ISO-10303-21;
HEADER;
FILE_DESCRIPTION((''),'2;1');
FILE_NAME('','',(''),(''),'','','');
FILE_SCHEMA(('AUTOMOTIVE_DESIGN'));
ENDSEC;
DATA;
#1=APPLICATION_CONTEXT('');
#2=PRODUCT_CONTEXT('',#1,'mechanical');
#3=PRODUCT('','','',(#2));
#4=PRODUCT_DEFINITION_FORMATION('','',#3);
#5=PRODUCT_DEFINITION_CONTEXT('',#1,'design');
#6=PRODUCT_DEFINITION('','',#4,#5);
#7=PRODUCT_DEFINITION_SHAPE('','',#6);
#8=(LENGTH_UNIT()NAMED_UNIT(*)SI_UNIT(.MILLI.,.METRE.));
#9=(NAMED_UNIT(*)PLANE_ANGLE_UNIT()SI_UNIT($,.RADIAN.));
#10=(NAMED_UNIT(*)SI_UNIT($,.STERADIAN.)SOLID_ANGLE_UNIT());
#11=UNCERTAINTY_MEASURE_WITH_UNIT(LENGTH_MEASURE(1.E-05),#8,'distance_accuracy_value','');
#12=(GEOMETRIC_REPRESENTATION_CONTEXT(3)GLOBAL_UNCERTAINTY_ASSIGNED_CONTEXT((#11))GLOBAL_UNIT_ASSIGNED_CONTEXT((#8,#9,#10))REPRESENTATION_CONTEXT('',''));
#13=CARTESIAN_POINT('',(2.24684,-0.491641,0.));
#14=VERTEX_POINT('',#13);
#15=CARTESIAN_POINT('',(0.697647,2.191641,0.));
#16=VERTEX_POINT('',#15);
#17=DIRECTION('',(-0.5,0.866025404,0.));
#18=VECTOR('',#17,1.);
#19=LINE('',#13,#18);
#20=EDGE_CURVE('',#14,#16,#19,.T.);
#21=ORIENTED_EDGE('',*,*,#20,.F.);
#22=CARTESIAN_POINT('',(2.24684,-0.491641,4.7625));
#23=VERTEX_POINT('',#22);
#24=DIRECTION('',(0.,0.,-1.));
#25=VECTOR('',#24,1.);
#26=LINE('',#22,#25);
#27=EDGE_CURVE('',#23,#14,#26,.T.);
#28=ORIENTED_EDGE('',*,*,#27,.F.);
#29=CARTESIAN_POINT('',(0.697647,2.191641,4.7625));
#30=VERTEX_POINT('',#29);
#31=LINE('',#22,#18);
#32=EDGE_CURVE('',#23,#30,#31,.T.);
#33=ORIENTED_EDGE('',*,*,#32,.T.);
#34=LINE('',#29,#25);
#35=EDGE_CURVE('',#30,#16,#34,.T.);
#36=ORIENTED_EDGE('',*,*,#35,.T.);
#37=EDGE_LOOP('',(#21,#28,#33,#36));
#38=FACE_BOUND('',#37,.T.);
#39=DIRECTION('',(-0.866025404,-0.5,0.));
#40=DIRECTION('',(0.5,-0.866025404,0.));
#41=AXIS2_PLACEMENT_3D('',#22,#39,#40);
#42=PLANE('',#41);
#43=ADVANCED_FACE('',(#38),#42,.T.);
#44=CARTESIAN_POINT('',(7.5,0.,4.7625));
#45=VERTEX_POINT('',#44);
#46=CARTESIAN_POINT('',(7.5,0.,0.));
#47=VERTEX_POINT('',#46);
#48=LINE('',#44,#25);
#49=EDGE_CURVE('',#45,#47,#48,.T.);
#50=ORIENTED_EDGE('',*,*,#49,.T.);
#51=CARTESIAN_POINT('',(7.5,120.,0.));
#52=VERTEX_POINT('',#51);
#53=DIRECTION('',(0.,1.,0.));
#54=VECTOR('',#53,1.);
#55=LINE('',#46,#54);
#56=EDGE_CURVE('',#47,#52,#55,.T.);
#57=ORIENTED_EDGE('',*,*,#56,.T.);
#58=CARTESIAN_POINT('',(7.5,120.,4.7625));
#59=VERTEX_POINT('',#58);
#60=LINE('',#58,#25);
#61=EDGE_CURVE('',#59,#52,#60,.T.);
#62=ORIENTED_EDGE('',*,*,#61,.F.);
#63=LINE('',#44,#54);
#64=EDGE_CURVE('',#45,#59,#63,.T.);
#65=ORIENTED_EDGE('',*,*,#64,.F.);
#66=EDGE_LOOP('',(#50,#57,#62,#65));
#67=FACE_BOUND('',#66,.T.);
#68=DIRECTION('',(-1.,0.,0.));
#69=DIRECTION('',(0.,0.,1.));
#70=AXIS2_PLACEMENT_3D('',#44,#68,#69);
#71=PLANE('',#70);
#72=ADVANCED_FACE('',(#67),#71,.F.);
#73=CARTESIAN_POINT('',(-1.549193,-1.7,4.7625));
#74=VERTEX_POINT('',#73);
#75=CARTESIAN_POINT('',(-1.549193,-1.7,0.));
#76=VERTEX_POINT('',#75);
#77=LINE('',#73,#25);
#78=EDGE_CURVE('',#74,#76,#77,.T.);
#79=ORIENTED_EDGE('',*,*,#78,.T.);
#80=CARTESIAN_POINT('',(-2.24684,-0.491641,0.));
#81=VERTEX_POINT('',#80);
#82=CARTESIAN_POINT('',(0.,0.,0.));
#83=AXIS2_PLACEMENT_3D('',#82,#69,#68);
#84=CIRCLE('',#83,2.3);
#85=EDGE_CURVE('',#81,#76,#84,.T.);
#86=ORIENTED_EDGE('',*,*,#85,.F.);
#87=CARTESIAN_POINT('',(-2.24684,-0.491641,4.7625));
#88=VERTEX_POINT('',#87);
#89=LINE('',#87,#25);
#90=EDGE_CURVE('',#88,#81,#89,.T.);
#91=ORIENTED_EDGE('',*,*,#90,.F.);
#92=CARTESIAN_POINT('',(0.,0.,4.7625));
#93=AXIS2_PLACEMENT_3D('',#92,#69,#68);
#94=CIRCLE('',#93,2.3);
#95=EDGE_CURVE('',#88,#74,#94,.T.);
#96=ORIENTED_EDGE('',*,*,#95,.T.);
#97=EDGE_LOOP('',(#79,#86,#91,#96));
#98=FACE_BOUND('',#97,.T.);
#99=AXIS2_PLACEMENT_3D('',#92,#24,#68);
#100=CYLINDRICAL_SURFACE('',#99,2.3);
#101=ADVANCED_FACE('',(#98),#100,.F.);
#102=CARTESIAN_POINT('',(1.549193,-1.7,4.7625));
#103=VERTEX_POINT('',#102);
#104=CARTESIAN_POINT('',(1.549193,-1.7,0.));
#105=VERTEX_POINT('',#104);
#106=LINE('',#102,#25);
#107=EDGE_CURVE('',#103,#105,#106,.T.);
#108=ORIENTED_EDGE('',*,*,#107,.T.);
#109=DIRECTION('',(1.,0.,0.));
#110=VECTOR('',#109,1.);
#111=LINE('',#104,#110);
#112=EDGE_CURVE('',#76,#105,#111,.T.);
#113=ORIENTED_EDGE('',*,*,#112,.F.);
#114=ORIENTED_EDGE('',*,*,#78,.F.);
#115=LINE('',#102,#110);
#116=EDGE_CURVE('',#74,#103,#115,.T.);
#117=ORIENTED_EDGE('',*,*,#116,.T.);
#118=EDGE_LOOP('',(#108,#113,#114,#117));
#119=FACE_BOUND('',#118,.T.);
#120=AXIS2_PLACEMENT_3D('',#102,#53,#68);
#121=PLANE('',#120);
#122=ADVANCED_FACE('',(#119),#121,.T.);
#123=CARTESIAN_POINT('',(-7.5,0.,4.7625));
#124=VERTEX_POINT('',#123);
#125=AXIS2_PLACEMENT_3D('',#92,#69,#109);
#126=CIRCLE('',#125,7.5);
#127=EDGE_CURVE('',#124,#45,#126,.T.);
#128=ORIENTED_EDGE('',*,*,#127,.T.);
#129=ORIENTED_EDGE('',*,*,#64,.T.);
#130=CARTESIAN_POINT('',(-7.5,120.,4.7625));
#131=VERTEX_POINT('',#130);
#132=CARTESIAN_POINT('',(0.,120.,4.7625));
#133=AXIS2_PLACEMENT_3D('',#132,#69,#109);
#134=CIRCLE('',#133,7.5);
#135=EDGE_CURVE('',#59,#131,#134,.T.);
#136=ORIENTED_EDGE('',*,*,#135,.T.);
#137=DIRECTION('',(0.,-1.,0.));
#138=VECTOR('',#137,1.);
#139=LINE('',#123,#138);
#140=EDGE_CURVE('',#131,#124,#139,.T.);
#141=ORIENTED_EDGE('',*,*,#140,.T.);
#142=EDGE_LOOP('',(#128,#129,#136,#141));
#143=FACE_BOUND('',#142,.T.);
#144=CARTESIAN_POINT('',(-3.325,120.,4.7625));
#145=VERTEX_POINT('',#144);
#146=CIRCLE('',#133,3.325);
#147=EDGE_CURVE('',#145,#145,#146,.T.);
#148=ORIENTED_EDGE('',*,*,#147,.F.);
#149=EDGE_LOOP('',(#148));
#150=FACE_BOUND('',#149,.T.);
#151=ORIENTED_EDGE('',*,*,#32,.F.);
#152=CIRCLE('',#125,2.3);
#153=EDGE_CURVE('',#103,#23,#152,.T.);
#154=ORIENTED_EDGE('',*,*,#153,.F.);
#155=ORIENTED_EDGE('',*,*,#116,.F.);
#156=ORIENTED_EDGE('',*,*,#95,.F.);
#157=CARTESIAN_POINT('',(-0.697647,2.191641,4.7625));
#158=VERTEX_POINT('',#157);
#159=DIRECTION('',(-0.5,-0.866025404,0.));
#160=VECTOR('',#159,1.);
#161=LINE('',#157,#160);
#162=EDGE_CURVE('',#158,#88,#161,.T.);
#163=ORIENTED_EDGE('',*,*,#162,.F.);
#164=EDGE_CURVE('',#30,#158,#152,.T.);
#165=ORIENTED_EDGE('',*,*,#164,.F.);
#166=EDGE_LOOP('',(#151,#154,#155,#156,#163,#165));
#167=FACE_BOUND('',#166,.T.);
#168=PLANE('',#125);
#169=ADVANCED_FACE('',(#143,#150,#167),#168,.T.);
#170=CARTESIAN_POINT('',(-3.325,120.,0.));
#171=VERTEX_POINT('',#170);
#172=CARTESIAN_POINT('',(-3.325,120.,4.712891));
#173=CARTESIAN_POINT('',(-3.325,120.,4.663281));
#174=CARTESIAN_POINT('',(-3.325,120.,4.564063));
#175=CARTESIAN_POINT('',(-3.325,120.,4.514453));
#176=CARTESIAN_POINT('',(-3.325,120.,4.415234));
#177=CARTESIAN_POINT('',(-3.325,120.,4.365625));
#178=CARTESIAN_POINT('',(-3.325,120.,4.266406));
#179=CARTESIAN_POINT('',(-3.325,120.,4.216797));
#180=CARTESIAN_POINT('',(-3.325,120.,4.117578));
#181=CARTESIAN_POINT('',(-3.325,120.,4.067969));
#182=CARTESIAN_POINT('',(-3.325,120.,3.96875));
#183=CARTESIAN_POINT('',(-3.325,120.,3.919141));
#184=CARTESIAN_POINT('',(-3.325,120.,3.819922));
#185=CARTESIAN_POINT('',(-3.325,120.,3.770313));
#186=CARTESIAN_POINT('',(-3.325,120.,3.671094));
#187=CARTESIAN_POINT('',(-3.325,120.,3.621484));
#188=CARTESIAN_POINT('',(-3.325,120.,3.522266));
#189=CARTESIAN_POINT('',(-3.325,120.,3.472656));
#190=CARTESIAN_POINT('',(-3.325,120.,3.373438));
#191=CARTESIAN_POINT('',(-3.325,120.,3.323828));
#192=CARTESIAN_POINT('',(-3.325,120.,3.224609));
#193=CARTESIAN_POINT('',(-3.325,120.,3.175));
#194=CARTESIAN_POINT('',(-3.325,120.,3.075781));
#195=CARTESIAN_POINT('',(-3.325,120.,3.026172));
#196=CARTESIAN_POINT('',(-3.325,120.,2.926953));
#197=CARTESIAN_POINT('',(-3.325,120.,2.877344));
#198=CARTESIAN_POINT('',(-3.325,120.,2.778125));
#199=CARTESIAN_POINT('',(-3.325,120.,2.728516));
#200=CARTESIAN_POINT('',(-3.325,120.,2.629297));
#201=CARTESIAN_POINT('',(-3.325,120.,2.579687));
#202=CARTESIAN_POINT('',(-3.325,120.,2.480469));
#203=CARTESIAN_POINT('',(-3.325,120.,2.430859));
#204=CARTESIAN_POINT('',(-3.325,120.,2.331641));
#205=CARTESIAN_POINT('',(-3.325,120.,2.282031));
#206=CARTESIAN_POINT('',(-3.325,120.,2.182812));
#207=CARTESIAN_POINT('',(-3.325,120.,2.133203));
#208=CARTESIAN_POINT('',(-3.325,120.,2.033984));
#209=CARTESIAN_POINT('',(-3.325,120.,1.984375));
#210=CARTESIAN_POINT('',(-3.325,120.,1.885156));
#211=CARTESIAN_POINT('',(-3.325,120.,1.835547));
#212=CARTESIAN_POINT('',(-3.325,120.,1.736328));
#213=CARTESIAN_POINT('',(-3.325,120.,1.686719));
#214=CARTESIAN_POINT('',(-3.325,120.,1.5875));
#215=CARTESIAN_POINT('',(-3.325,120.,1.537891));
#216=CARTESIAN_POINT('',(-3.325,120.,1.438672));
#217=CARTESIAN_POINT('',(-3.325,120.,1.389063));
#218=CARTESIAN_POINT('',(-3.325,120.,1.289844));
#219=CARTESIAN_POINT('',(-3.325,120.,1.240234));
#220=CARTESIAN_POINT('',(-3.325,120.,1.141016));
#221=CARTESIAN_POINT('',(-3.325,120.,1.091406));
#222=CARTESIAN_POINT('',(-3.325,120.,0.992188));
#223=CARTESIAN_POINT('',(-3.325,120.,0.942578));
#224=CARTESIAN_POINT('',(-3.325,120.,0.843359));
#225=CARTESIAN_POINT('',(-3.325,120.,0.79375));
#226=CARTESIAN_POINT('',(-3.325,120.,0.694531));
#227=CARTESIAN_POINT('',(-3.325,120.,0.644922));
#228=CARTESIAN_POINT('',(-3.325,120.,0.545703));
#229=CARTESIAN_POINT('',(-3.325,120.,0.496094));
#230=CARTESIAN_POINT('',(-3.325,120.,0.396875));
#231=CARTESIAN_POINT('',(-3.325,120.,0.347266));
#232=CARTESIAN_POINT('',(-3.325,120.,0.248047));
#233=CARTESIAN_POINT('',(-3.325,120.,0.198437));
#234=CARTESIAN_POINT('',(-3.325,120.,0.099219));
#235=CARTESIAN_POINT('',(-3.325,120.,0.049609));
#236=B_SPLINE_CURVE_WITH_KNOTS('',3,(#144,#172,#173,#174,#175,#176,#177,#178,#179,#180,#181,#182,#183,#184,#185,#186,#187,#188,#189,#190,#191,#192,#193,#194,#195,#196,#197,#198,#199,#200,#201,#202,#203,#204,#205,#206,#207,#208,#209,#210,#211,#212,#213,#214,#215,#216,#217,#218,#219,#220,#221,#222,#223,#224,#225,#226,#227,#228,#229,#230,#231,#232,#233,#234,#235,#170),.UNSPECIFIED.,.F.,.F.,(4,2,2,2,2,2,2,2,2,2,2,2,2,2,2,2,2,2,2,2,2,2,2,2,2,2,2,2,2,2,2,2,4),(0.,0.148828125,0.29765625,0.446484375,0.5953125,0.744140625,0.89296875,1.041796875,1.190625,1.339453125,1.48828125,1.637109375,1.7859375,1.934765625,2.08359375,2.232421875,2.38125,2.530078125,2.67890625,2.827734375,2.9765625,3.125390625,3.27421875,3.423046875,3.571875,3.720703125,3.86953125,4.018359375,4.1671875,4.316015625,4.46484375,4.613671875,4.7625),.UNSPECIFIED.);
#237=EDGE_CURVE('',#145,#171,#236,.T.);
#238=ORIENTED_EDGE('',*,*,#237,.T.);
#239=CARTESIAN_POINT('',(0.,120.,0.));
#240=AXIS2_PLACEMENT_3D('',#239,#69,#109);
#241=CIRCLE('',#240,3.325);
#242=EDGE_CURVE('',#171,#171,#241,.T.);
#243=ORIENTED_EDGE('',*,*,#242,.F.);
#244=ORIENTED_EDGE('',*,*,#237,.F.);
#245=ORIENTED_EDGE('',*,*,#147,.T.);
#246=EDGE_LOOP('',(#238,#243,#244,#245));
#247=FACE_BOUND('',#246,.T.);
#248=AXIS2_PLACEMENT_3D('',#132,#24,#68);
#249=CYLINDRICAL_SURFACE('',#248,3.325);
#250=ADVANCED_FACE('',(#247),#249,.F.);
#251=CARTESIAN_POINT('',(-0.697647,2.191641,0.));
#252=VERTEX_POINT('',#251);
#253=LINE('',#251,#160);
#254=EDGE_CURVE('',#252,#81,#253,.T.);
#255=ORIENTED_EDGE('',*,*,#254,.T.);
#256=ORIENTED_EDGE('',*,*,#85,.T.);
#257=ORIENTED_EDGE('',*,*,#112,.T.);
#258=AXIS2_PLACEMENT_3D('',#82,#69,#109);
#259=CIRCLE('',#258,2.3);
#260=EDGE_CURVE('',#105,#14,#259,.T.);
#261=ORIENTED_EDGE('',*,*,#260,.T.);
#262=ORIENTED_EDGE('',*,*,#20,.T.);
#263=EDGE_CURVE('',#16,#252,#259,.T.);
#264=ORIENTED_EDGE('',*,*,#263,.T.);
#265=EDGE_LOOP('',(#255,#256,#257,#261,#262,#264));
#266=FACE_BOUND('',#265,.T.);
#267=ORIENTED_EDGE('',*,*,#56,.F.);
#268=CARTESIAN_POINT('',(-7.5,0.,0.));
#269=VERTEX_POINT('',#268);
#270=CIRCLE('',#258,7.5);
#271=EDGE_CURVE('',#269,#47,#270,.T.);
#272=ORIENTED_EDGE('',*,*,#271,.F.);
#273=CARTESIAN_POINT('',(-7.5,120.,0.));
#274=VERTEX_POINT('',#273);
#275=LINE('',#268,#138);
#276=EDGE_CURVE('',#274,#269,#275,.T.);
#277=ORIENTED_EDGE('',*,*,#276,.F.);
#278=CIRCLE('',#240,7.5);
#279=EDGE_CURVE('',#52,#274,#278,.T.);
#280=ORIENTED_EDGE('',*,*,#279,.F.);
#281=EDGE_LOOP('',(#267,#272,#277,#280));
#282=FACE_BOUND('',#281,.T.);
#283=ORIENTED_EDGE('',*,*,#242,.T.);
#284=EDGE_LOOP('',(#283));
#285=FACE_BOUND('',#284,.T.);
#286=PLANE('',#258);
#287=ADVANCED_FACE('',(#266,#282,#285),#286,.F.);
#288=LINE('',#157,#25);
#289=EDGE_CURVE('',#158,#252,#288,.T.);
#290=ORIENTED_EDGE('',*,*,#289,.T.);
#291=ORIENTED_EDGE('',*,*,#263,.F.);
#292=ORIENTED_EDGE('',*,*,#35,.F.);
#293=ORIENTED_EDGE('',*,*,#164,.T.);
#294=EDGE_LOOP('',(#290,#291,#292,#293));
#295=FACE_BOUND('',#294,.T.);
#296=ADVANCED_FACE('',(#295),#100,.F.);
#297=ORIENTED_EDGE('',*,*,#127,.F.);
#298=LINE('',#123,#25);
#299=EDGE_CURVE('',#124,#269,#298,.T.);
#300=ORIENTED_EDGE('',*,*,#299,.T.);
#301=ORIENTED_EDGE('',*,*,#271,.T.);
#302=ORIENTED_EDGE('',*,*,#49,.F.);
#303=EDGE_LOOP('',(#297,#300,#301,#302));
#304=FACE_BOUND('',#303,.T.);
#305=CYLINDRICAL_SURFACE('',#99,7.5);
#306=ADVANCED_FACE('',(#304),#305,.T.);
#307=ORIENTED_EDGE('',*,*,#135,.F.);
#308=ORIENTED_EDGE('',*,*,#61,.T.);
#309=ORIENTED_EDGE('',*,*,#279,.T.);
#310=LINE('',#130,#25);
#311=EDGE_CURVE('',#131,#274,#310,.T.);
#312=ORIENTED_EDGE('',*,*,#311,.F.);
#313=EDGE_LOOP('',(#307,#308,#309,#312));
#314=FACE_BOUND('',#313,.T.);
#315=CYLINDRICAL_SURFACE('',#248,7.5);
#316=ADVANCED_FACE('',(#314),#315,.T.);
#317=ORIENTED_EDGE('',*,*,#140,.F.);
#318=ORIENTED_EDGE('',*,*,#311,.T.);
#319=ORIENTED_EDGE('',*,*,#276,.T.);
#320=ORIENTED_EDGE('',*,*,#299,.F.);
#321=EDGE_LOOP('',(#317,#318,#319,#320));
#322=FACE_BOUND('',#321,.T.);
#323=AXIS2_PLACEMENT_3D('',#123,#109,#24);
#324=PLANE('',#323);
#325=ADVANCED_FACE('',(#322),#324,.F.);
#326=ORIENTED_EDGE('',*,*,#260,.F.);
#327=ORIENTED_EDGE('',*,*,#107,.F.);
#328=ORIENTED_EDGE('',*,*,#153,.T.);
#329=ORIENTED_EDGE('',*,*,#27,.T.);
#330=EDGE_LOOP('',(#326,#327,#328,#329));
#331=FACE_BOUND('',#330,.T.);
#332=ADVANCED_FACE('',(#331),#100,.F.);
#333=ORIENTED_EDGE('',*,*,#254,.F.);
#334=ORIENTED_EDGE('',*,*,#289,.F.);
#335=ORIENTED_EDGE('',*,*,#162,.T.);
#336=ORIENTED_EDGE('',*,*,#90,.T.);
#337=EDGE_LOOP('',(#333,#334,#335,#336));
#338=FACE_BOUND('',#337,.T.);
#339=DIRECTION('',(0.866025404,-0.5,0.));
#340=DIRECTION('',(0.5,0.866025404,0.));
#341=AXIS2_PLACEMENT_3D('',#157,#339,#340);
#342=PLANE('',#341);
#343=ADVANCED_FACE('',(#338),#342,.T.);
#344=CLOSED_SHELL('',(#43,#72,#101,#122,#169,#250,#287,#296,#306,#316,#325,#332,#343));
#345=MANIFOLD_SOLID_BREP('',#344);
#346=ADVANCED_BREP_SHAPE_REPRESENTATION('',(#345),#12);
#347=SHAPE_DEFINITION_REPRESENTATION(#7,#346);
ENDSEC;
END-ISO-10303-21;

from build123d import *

# Parameters (mm, degrees)
ESBO_O1_R                = 3.325
RESSALTO_EXTRUS_O1_DEPTH = 4.7625


with BuildPart() as part:
    # Esboço1 → Ressalto-extrusão1 (new body)
    with BuildSketch(Plane.XY):
        with BuildLine():
            Line((-7.5, 0), (-7.5, 120))
            ThreePointArc((-7.5, 120), (0, 127.5), (7.5, 120))
            Line((7.5, 120), (7.5, 0))
            ThreePointArc((7.5, 0), (0, -7.5), (-7.5, 0))
        make_face()
        with Locations(Location((0, 120, 0), (0, 0, 180))):
            Circle(ESBO_O1_R, mode=Mode.SUBTRACT)
        with BuildLine():
            Line((2.246839856, -0.491640786), (0.697646517, 2.191640786))
            ThreePointArc((0.697646517, 2.191640786), (0, 2.3), (-0.697646517, 2.191640786))
            Line((-0.697646517, 2.191640786), (-2.246839856, -0.491640786))
            ThreePointArc((-2.246839856, -0.491640786), (-1.991858429, -1.15), (-1.549193338, -1.7))
            Line((-1.549193338, -1.7), (1.549193338, -1.7))
            ThreePointArc((1.549193338, -1.7), (1.991858429, -1.15), (2.246839856, -0.491640786))
        make_face(mode=Mode.SUBTRACT)
    extrude(amount=RESSALTO_EXTRUS_O1_DEPTH)


solid = part.part
